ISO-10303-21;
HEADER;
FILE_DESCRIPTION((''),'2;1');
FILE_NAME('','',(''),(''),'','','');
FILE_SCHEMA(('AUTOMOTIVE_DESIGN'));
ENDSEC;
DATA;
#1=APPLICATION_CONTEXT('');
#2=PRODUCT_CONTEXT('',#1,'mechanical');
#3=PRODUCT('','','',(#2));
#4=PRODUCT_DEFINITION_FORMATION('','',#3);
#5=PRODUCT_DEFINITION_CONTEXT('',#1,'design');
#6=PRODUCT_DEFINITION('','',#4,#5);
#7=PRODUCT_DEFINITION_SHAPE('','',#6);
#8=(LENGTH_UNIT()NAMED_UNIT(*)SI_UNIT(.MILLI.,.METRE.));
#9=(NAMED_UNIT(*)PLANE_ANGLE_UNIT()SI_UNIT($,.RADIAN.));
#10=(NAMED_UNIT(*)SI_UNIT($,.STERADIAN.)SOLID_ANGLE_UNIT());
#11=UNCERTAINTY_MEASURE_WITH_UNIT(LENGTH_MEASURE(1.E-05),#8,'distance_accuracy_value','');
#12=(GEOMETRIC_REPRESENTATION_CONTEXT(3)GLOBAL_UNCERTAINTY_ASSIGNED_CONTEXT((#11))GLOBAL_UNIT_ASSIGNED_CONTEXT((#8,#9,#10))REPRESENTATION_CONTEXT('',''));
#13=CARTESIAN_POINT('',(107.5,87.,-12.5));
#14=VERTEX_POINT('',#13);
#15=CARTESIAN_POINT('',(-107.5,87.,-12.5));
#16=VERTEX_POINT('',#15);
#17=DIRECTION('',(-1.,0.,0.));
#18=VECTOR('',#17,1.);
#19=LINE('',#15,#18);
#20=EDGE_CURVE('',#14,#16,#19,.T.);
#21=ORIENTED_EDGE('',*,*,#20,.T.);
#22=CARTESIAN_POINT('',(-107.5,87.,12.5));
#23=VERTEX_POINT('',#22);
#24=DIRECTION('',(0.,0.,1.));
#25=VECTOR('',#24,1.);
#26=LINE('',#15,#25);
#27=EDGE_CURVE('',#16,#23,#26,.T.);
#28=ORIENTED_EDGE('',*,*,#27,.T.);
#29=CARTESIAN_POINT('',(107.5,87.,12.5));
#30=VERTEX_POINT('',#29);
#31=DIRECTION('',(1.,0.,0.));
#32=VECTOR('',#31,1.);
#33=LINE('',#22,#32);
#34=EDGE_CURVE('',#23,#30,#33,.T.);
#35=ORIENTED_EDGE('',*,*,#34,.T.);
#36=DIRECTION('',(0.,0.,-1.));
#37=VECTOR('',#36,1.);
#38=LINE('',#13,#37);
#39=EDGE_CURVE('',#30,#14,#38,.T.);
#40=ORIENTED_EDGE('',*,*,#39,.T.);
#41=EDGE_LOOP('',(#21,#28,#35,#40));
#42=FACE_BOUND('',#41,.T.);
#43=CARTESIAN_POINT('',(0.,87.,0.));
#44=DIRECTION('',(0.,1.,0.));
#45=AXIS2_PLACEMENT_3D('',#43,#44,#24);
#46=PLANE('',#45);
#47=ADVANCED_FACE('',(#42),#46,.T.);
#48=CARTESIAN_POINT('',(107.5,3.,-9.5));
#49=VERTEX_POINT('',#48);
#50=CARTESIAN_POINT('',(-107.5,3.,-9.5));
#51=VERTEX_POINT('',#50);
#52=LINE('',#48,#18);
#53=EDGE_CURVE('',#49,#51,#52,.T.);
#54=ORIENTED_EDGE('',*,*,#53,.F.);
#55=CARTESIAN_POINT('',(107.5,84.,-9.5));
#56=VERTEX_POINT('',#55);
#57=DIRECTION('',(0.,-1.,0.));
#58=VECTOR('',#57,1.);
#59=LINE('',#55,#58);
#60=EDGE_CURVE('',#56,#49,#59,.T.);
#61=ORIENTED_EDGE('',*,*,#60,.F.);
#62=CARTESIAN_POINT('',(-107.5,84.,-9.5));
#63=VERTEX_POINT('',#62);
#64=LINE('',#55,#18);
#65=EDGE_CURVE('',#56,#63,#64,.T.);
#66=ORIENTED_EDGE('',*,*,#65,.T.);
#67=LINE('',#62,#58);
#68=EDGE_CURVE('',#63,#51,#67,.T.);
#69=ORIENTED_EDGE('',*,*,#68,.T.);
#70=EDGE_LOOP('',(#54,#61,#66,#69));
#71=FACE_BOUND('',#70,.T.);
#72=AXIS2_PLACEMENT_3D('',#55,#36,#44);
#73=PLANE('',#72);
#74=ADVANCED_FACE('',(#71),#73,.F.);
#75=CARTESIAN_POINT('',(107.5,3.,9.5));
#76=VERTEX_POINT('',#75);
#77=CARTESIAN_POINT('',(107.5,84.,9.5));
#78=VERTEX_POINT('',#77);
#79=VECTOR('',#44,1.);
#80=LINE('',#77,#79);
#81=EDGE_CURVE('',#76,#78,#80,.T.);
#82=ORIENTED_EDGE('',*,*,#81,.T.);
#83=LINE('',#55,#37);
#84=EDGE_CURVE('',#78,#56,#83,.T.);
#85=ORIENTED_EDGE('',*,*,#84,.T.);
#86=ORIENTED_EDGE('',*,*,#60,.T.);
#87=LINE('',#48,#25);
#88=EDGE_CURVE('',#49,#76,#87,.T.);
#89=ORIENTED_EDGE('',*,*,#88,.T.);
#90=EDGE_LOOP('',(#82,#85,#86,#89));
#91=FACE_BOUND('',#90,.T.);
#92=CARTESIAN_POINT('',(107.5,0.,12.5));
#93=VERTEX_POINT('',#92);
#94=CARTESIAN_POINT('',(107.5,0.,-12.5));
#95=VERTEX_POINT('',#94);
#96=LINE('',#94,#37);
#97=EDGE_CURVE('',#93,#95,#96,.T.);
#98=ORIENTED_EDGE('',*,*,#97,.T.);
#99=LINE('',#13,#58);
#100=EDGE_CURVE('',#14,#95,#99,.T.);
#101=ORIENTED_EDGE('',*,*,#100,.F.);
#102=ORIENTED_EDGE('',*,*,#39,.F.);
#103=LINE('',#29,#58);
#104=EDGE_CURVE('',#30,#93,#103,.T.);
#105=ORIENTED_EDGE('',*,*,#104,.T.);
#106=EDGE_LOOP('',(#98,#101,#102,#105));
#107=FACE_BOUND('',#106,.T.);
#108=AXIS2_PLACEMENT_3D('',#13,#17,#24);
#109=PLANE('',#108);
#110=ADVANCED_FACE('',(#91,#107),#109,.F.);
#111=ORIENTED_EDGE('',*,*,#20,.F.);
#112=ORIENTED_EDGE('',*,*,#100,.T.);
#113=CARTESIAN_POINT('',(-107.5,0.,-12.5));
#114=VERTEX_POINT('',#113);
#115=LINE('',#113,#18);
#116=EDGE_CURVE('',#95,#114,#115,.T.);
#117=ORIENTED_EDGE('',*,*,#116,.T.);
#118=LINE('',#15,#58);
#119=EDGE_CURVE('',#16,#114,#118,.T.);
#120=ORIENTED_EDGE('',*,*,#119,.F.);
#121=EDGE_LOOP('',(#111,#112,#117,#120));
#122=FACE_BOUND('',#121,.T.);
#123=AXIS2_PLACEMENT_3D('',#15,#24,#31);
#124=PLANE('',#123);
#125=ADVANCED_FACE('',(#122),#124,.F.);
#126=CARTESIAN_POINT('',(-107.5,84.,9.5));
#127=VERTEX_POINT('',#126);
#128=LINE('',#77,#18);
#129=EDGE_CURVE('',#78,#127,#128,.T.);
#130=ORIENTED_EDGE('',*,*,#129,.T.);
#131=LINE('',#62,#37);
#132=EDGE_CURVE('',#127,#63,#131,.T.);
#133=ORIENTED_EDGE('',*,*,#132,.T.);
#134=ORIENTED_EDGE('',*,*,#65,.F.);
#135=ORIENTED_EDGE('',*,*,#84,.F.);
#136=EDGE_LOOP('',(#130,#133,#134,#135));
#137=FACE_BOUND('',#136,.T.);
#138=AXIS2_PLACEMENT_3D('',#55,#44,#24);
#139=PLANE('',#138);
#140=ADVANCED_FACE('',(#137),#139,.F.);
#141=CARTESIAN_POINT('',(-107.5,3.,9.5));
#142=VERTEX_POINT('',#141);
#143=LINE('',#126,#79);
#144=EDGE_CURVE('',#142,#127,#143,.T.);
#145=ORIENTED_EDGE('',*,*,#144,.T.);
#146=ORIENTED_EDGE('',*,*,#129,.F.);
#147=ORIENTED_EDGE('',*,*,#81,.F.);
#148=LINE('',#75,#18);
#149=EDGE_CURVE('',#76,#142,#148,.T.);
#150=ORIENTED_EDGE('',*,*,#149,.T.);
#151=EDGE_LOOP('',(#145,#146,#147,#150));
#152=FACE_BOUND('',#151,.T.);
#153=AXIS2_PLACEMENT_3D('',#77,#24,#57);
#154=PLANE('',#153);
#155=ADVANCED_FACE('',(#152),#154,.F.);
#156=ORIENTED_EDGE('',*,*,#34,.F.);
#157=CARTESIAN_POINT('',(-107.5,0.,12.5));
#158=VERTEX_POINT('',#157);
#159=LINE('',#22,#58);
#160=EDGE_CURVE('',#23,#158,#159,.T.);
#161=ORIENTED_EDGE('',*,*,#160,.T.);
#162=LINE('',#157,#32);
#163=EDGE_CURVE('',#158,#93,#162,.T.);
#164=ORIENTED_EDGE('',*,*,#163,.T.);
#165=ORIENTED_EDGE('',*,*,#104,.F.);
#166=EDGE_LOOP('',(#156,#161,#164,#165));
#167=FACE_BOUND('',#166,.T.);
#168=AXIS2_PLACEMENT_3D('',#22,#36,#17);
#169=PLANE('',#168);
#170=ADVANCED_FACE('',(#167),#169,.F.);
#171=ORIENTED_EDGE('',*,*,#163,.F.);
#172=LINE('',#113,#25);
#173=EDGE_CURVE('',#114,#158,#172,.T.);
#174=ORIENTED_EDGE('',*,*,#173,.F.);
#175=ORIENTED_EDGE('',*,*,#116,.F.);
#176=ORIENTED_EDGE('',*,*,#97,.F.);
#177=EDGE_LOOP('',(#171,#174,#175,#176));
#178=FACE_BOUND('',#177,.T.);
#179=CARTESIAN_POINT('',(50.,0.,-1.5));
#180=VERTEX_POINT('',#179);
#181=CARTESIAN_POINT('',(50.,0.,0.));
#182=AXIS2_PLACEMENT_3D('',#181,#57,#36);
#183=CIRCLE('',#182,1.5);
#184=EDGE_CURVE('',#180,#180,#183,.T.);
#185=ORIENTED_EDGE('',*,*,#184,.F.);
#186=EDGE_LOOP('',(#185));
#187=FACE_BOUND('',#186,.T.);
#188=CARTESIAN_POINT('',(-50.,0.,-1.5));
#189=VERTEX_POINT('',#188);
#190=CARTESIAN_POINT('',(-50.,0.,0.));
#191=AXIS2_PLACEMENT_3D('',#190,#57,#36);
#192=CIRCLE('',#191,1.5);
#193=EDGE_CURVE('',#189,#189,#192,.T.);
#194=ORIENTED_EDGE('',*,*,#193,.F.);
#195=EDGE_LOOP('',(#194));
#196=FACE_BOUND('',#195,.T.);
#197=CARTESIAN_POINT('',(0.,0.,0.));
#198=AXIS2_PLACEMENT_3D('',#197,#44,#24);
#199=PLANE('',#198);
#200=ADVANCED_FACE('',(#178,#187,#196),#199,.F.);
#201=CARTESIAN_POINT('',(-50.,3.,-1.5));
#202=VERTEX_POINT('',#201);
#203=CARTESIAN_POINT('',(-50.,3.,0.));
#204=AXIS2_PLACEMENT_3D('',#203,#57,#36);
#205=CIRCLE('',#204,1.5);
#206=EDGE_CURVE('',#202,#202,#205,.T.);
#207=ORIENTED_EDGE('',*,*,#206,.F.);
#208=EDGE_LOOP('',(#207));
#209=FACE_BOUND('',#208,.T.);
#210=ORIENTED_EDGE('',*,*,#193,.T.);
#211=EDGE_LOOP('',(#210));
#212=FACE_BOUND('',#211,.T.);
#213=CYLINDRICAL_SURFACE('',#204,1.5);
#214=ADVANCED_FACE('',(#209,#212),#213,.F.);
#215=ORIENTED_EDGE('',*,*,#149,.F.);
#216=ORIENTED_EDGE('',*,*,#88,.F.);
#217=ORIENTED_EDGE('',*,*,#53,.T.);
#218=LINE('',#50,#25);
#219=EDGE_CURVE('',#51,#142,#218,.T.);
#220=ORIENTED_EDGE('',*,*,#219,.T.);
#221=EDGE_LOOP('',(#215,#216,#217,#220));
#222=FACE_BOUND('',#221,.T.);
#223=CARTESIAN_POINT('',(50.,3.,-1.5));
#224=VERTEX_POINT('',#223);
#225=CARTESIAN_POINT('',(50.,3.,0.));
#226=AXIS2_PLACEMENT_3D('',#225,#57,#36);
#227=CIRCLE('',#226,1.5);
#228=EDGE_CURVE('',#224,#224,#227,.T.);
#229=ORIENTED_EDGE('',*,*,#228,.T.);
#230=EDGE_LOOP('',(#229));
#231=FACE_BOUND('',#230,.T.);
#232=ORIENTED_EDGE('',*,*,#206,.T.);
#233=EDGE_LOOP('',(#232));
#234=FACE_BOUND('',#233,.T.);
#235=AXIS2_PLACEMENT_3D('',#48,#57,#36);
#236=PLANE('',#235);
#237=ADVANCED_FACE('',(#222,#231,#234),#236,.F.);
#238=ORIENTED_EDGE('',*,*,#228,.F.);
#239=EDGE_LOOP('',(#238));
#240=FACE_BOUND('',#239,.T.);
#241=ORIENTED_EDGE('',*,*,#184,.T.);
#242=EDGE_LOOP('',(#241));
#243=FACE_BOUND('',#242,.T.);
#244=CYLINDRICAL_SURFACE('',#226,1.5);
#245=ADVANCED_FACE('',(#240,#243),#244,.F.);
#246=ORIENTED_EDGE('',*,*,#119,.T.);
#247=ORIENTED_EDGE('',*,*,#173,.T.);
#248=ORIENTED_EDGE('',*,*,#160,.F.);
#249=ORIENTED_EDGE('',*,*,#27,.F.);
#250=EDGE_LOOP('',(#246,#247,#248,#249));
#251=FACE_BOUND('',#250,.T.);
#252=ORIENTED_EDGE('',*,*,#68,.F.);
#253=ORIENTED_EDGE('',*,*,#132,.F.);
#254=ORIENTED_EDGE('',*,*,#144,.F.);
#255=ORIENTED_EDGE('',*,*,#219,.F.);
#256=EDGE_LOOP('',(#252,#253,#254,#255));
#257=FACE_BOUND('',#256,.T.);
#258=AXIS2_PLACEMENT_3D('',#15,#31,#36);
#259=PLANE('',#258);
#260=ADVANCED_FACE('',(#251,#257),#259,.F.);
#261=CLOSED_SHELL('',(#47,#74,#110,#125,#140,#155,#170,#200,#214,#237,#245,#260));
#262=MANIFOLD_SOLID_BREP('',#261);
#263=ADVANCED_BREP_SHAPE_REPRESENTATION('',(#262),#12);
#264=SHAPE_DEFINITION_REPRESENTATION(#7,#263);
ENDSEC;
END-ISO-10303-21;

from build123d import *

# Parameters (mm, degrees)
SKETCH1_W           = 215
SKETCH1_H           = 25
BOSS_EXTRUDE1_DEPTH = 87
SKETCH3_W           = 19
SKETCH3_H           = 81
CUT_EXTRUDE1_DEPTH  = 216
SKETCH4_R           = 1.5
CUT_EXTRUDE2_DEPTH  = 3


with BuildPart() as part:
    # Sketch1 → Boss-Extrude1 (new body)
    with BuildSketch(Plane(origin=(0, 0, 0), x_dir=(1, 0, 0), z_dir=(0, 1, 0))):
        Rectangle(SKETCH1_W, SKETCH1_H)
    extrude(amount=BOSS_EXTRUDE1_DEPTH)

    # Sketch3 → Cut-Extrude1 (cut, through all)
    with BuildSketch(Plane.ZY.offset(107.5)):
        with Locations((0, 43.5)):
            Rectangle(SKETCH3_W, SKETCH3_H)
    extrude(amount=-CUT_EXTRUDE1_DEPTH, mode=Mode.SUBTRACT)

    # Sketch4 → Cut-Extrude2 (cut)
    with BuildSketch(Plane.XZ):
        with Locations((-50, 0)):
            Circle(SKETCH4_R)
        with Locations((50, 0)):
            Circle(SKETCH4_R)
    extrude(amount=-CUT_EXTRUDE2_DEPTH, mode=Mode.SUBTRACT)


solid = part.part
